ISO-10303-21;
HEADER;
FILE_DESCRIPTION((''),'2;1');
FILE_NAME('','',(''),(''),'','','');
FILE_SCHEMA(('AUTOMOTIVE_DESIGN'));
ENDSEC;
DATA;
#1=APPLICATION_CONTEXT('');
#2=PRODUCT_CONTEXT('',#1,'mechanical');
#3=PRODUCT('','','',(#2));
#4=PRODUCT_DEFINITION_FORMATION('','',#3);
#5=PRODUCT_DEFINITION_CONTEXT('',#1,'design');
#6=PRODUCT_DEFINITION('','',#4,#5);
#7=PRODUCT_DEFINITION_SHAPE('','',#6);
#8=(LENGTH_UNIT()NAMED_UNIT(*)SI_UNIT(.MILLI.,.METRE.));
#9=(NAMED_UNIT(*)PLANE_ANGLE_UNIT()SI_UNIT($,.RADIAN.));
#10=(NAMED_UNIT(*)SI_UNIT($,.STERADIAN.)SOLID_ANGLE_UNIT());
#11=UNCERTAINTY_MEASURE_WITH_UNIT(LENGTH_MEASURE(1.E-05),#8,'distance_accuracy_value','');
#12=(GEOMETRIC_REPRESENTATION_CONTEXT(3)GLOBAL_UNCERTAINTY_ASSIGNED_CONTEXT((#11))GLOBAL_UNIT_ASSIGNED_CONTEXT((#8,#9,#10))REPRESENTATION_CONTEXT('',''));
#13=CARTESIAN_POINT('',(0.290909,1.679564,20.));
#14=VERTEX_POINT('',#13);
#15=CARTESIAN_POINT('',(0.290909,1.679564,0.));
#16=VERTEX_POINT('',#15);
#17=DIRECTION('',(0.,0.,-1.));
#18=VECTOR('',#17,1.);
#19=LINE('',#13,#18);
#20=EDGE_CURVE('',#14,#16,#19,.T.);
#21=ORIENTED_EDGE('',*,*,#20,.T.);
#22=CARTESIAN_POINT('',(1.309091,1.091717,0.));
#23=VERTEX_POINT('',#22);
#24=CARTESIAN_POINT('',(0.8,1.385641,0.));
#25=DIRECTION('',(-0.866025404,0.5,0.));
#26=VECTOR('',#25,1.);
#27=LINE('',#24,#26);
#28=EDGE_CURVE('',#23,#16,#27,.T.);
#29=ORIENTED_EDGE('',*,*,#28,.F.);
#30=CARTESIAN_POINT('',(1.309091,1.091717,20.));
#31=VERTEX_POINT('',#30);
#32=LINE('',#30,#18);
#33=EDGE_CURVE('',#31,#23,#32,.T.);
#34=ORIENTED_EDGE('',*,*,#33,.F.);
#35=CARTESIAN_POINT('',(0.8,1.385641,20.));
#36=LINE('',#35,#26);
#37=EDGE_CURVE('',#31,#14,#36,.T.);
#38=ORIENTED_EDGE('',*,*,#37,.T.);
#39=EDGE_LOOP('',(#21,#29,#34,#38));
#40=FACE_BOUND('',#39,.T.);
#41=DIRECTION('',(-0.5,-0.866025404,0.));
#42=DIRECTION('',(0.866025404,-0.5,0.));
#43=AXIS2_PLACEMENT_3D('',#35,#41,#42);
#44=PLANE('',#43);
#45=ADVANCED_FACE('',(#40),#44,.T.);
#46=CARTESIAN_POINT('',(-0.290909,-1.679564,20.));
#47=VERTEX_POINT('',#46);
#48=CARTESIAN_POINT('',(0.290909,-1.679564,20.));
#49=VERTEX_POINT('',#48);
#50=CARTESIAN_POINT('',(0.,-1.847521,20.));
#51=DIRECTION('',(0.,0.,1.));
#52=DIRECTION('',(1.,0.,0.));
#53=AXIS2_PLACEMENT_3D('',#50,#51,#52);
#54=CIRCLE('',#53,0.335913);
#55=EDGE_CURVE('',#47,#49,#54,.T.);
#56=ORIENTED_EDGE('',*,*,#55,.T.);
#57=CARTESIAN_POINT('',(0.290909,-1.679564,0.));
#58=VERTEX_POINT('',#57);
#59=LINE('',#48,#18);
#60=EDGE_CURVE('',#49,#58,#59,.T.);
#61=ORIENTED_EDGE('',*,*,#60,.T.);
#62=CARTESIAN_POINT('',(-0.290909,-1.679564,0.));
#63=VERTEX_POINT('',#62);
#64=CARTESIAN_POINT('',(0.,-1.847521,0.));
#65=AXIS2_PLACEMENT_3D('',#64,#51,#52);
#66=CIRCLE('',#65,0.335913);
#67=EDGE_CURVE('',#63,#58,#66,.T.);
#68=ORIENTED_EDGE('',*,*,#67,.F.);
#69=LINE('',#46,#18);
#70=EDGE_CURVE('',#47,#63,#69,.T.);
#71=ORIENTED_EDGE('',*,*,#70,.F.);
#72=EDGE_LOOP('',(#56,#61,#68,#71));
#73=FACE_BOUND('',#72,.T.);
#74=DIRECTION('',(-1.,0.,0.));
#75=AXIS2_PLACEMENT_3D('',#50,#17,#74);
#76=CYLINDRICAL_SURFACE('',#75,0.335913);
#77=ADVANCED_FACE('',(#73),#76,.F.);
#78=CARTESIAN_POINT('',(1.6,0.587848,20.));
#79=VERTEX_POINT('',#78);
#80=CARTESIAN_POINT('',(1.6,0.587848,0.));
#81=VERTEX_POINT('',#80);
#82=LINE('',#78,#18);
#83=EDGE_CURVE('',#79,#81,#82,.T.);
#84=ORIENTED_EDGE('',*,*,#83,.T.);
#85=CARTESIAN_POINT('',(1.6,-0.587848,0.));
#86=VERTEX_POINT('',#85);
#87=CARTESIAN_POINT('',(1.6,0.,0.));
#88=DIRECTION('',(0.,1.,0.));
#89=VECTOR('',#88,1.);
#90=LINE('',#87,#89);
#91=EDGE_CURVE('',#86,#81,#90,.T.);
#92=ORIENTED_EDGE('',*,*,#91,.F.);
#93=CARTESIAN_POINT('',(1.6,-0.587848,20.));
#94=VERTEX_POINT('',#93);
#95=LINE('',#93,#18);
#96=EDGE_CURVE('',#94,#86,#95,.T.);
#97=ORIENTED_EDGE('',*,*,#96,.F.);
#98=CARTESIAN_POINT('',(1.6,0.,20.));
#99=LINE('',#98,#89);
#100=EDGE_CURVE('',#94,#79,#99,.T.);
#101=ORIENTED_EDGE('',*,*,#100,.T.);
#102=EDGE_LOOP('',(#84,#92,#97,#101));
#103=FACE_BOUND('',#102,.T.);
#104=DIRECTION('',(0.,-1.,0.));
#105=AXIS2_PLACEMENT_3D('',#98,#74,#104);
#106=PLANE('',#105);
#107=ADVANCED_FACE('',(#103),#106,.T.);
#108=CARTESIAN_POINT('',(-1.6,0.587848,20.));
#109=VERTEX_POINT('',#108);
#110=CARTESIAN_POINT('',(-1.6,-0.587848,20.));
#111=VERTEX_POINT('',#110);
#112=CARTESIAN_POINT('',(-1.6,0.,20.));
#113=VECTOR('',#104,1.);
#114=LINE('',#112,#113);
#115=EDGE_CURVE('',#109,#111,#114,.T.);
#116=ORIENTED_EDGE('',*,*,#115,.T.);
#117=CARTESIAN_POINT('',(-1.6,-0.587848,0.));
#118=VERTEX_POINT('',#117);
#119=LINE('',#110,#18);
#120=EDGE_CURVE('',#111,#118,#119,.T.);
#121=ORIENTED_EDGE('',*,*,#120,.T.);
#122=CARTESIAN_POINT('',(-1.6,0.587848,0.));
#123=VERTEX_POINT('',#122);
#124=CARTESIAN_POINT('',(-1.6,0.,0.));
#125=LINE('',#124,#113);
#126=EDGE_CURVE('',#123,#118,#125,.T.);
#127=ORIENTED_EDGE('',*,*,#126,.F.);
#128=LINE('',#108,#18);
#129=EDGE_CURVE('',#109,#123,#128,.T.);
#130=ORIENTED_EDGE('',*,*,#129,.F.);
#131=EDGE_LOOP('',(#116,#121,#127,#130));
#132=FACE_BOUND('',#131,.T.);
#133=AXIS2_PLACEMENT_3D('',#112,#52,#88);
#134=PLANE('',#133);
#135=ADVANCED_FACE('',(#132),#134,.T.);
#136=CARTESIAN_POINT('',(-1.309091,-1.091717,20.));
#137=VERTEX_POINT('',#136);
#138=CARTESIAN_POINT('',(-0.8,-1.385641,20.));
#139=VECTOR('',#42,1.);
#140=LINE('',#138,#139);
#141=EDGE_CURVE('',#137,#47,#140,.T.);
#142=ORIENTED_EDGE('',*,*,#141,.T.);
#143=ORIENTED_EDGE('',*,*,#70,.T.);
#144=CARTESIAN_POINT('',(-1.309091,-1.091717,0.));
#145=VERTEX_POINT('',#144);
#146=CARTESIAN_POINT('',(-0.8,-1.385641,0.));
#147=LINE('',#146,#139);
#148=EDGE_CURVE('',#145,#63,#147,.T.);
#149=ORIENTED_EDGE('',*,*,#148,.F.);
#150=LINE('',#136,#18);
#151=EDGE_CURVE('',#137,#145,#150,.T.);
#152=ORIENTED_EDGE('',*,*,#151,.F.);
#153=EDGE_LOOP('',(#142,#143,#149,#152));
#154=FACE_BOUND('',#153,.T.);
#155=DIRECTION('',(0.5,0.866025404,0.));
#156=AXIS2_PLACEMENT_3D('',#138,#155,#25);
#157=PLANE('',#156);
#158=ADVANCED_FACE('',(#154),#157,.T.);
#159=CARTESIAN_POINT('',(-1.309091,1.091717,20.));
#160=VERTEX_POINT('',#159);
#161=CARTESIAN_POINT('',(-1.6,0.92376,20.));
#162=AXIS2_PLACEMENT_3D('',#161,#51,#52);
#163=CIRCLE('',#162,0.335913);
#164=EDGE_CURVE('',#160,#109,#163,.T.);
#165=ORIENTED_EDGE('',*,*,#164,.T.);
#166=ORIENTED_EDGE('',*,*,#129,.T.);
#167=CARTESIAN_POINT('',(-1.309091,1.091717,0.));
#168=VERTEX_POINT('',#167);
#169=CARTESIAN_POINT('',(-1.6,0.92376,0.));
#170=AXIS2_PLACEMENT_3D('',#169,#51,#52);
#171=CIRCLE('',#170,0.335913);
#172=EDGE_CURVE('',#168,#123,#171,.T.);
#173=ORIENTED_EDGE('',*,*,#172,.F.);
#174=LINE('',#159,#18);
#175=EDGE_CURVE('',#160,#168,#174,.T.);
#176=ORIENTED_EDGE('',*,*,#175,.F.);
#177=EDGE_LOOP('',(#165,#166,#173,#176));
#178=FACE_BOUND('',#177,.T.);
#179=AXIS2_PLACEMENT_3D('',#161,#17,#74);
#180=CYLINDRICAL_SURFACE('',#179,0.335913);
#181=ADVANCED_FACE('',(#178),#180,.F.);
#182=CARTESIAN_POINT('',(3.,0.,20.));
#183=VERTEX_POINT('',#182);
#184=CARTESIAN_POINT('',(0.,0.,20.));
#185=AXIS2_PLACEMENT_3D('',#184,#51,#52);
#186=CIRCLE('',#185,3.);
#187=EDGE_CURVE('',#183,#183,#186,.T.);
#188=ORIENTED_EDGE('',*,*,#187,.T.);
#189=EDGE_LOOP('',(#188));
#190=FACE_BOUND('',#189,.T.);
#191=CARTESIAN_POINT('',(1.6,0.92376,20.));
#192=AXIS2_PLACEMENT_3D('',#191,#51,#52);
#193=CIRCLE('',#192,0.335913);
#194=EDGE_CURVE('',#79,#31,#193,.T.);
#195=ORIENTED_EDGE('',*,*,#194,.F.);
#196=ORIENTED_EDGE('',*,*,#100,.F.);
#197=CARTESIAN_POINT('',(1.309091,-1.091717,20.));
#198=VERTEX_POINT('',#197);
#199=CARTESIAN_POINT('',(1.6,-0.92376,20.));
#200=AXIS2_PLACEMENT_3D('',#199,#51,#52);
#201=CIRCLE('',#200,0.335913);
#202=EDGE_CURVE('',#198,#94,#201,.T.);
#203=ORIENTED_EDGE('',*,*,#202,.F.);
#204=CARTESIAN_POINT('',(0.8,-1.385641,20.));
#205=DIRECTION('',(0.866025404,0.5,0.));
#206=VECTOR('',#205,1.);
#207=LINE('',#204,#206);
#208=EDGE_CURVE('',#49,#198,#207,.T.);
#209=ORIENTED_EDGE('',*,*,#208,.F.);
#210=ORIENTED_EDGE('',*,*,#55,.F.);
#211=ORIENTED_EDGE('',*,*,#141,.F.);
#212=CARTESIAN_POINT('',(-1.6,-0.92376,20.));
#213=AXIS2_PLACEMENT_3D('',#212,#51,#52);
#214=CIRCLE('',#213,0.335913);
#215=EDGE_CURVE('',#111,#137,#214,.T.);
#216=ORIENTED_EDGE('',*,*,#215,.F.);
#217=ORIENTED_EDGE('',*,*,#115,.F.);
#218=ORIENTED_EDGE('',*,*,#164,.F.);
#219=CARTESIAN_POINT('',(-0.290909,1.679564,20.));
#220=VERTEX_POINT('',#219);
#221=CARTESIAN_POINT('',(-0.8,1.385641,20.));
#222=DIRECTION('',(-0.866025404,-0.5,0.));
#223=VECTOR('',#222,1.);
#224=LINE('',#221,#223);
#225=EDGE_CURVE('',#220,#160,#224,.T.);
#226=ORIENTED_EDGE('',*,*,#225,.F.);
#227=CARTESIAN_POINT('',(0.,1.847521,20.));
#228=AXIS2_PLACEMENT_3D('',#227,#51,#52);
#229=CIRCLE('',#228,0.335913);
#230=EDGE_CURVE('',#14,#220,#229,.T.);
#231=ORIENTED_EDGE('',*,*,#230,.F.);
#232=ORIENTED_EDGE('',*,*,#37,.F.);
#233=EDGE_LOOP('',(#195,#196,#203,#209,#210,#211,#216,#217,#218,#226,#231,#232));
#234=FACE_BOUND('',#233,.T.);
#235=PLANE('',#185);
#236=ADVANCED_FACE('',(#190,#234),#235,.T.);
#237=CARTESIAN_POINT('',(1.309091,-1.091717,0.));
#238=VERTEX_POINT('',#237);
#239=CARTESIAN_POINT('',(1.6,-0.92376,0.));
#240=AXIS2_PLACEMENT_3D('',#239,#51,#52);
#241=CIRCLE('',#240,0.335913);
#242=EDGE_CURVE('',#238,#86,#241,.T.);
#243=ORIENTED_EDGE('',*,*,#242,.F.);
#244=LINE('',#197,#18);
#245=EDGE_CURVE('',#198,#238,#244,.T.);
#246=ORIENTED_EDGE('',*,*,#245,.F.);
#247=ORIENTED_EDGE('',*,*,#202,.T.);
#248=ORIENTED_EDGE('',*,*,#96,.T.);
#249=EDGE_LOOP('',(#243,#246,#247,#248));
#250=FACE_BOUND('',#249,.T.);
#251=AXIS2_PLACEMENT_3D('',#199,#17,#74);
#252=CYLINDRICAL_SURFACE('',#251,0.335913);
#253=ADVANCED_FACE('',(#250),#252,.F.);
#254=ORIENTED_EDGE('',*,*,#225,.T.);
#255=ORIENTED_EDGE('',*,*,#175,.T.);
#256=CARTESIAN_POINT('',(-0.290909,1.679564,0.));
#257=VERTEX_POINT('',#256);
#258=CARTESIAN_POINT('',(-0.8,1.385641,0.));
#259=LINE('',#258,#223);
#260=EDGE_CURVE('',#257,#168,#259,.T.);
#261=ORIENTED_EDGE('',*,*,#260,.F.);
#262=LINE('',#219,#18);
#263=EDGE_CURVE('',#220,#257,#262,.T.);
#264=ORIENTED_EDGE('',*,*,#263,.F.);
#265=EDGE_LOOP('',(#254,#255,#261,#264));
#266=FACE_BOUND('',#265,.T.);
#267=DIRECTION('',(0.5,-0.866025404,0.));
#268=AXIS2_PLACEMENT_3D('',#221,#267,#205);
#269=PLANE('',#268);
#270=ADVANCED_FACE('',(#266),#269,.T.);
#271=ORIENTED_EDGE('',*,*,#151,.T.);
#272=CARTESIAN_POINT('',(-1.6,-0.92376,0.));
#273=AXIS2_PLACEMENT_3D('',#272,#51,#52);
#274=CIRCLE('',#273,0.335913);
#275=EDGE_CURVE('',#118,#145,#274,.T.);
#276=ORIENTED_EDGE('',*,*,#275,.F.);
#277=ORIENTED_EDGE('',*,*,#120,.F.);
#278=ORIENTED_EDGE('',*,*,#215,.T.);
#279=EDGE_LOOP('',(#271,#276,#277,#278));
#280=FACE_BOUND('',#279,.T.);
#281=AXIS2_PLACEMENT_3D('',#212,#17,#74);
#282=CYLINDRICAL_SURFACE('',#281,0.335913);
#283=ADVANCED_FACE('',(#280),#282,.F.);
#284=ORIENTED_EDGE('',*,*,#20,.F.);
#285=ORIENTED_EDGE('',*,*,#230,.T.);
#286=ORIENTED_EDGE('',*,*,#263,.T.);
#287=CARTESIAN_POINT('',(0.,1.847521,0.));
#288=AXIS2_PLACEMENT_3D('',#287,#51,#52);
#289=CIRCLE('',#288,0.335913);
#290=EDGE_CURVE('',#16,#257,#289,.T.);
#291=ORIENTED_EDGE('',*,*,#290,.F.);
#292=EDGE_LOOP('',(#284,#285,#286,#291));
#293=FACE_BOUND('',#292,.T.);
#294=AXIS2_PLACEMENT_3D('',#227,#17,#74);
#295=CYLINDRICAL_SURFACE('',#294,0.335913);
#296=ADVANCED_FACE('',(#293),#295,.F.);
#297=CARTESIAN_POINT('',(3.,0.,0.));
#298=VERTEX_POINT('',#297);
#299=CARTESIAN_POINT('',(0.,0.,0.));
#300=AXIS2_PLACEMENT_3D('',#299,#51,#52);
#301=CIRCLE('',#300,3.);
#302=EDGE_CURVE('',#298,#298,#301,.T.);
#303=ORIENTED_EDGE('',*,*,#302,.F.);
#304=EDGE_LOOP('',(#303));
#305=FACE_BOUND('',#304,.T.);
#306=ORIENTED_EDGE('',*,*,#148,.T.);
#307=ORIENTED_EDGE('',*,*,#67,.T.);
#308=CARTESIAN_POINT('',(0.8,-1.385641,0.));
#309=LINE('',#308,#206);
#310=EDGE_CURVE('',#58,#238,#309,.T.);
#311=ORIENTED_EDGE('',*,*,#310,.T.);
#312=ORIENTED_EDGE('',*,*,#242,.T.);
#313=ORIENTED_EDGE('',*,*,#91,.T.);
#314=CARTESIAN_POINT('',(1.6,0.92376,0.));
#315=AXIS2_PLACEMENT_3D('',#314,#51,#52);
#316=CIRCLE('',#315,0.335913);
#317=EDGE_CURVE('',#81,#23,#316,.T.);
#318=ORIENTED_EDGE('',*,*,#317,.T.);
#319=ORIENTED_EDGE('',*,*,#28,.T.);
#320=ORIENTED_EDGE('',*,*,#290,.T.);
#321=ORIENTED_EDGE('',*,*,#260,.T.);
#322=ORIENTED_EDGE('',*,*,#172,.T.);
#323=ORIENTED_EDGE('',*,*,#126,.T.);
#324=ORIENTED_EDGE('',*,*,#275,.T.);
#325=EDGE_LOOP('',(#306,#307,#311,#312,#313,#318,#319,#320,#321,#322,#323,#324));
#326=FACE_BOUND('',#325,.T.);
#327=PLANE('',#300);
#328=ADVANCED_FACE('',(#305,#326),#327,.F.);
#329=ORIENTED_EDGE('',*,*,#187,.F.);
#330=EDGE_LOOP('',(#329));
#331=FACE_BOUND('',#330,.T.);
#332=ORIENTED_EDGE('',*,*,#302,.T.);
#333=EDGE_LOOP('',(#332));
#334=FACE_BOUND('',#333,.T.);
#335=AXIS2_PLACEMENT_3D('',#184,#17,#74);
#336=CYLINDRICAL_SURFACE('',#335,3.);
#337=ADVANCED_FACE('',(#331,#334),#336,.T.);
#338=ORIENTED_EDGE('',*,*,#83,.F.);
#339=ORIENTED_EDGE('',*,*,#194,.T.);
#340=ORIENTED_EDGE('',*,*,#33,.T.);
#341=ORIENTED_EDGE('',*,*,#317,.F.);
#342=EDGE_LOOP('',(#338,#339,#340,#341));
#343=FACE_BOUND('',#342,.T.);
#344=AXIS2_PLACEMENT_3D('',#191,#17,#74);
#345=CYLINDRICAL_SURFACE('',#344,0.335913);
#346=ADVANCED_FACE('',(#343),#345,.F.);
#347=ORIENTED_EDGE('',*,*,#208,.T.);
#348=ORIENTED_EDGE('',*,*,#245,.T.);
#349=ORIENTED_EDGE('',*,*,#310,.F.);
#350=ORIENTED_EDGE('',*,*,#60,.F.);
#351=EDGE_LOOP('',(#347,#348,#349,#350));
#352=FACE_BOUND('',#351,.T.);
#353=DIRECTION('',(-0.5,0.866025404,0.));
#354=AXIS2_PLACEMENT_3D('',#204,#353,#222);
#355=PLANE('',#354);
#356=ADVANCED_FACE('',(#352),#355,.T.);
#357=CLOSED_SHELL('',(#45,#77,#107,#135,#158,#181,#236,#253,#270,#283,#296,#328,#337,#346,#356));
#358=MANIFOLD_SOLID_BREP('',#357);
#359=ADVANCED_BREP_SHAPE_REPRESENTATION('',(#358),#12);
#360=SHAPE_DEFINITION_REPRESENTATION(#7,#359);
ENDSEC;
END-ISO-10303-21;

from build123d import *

# Parameters (mm, degrees)
SKETCH1_R           = 3
BOSS_EXTRUDE1_DEPTH = 20


with BuildPart() as part:
    # Sketch1 → Boss-Extrude1 (new body)
    with BuildSketch(Plane.XY):
        Circle(SKETCH1_R)
        with BuildLine():
            Line((-1.309090909, 1.091716873), (-0.290909091, 1.679564419))
            ThreePointArc((-0.290909091, 1.679564419), (-0.086940652, 2.171987791), (0.335912884, 1.847520861))
            ThreePointArc((0.335912884, 1.847520861), (0.32446693, 1.76058021), (0.290909091, 1.679564419))
            Line((0.290909091, 1.679564419), (1.309090909, 1.091716873))
            ThreePointArc((1.309090909, 1.091716873), (1.686940652, 1.248227361), (1.935912884, 0.923760431))
            ThreePointArc((1.935912884, 0.923760431), (1.837526278, 0.686234153), (1.6, 0.587847547))
            Line((1.6, 0.587847547), (1.6, -0.587847547))
            ThreePointArc((1.6, -0.587847547), (1.837526278, -0.686234153), (1.935912884, -0.923760431))
            ThreePointArc((1.935912884, -0.923760431), (1.686940652, -1.248227361), (1.309090909, -1.091716873))
            Line((1.309090909, -1.091716873), (0.290909091, -1.679564419))
            ThreePointArc((0.290909091, -1.679564419), (0.32446693, -1.76058021), (0.335912884, -1.847520861))
            ThreePointArc((0.335912884, -1.847520861), (-0.086940652, -2.171987791), (-0.290909091, -1.679564419))
            Line((-0.290909091, -1.679564419), (-1.309090909, -1.091716873))
            ThreePointArc((-1.309090909, -1.091716873), (-1.890909091, -1.091716873), (-1.6, -0.587847547))
            Line((-1.6, -0.587847547), (-1.6, 0.587847547))
            ThreePointArc((-1.6, 0.587847547), (-1.890909091, 1.091716873), (-1.309090909, 1.091716873))
        make_face(mode=Mode.SUBTRACT)
    extrude(amount=BOSS_EXTRUDE1_DEPTH)


solid = part.part
